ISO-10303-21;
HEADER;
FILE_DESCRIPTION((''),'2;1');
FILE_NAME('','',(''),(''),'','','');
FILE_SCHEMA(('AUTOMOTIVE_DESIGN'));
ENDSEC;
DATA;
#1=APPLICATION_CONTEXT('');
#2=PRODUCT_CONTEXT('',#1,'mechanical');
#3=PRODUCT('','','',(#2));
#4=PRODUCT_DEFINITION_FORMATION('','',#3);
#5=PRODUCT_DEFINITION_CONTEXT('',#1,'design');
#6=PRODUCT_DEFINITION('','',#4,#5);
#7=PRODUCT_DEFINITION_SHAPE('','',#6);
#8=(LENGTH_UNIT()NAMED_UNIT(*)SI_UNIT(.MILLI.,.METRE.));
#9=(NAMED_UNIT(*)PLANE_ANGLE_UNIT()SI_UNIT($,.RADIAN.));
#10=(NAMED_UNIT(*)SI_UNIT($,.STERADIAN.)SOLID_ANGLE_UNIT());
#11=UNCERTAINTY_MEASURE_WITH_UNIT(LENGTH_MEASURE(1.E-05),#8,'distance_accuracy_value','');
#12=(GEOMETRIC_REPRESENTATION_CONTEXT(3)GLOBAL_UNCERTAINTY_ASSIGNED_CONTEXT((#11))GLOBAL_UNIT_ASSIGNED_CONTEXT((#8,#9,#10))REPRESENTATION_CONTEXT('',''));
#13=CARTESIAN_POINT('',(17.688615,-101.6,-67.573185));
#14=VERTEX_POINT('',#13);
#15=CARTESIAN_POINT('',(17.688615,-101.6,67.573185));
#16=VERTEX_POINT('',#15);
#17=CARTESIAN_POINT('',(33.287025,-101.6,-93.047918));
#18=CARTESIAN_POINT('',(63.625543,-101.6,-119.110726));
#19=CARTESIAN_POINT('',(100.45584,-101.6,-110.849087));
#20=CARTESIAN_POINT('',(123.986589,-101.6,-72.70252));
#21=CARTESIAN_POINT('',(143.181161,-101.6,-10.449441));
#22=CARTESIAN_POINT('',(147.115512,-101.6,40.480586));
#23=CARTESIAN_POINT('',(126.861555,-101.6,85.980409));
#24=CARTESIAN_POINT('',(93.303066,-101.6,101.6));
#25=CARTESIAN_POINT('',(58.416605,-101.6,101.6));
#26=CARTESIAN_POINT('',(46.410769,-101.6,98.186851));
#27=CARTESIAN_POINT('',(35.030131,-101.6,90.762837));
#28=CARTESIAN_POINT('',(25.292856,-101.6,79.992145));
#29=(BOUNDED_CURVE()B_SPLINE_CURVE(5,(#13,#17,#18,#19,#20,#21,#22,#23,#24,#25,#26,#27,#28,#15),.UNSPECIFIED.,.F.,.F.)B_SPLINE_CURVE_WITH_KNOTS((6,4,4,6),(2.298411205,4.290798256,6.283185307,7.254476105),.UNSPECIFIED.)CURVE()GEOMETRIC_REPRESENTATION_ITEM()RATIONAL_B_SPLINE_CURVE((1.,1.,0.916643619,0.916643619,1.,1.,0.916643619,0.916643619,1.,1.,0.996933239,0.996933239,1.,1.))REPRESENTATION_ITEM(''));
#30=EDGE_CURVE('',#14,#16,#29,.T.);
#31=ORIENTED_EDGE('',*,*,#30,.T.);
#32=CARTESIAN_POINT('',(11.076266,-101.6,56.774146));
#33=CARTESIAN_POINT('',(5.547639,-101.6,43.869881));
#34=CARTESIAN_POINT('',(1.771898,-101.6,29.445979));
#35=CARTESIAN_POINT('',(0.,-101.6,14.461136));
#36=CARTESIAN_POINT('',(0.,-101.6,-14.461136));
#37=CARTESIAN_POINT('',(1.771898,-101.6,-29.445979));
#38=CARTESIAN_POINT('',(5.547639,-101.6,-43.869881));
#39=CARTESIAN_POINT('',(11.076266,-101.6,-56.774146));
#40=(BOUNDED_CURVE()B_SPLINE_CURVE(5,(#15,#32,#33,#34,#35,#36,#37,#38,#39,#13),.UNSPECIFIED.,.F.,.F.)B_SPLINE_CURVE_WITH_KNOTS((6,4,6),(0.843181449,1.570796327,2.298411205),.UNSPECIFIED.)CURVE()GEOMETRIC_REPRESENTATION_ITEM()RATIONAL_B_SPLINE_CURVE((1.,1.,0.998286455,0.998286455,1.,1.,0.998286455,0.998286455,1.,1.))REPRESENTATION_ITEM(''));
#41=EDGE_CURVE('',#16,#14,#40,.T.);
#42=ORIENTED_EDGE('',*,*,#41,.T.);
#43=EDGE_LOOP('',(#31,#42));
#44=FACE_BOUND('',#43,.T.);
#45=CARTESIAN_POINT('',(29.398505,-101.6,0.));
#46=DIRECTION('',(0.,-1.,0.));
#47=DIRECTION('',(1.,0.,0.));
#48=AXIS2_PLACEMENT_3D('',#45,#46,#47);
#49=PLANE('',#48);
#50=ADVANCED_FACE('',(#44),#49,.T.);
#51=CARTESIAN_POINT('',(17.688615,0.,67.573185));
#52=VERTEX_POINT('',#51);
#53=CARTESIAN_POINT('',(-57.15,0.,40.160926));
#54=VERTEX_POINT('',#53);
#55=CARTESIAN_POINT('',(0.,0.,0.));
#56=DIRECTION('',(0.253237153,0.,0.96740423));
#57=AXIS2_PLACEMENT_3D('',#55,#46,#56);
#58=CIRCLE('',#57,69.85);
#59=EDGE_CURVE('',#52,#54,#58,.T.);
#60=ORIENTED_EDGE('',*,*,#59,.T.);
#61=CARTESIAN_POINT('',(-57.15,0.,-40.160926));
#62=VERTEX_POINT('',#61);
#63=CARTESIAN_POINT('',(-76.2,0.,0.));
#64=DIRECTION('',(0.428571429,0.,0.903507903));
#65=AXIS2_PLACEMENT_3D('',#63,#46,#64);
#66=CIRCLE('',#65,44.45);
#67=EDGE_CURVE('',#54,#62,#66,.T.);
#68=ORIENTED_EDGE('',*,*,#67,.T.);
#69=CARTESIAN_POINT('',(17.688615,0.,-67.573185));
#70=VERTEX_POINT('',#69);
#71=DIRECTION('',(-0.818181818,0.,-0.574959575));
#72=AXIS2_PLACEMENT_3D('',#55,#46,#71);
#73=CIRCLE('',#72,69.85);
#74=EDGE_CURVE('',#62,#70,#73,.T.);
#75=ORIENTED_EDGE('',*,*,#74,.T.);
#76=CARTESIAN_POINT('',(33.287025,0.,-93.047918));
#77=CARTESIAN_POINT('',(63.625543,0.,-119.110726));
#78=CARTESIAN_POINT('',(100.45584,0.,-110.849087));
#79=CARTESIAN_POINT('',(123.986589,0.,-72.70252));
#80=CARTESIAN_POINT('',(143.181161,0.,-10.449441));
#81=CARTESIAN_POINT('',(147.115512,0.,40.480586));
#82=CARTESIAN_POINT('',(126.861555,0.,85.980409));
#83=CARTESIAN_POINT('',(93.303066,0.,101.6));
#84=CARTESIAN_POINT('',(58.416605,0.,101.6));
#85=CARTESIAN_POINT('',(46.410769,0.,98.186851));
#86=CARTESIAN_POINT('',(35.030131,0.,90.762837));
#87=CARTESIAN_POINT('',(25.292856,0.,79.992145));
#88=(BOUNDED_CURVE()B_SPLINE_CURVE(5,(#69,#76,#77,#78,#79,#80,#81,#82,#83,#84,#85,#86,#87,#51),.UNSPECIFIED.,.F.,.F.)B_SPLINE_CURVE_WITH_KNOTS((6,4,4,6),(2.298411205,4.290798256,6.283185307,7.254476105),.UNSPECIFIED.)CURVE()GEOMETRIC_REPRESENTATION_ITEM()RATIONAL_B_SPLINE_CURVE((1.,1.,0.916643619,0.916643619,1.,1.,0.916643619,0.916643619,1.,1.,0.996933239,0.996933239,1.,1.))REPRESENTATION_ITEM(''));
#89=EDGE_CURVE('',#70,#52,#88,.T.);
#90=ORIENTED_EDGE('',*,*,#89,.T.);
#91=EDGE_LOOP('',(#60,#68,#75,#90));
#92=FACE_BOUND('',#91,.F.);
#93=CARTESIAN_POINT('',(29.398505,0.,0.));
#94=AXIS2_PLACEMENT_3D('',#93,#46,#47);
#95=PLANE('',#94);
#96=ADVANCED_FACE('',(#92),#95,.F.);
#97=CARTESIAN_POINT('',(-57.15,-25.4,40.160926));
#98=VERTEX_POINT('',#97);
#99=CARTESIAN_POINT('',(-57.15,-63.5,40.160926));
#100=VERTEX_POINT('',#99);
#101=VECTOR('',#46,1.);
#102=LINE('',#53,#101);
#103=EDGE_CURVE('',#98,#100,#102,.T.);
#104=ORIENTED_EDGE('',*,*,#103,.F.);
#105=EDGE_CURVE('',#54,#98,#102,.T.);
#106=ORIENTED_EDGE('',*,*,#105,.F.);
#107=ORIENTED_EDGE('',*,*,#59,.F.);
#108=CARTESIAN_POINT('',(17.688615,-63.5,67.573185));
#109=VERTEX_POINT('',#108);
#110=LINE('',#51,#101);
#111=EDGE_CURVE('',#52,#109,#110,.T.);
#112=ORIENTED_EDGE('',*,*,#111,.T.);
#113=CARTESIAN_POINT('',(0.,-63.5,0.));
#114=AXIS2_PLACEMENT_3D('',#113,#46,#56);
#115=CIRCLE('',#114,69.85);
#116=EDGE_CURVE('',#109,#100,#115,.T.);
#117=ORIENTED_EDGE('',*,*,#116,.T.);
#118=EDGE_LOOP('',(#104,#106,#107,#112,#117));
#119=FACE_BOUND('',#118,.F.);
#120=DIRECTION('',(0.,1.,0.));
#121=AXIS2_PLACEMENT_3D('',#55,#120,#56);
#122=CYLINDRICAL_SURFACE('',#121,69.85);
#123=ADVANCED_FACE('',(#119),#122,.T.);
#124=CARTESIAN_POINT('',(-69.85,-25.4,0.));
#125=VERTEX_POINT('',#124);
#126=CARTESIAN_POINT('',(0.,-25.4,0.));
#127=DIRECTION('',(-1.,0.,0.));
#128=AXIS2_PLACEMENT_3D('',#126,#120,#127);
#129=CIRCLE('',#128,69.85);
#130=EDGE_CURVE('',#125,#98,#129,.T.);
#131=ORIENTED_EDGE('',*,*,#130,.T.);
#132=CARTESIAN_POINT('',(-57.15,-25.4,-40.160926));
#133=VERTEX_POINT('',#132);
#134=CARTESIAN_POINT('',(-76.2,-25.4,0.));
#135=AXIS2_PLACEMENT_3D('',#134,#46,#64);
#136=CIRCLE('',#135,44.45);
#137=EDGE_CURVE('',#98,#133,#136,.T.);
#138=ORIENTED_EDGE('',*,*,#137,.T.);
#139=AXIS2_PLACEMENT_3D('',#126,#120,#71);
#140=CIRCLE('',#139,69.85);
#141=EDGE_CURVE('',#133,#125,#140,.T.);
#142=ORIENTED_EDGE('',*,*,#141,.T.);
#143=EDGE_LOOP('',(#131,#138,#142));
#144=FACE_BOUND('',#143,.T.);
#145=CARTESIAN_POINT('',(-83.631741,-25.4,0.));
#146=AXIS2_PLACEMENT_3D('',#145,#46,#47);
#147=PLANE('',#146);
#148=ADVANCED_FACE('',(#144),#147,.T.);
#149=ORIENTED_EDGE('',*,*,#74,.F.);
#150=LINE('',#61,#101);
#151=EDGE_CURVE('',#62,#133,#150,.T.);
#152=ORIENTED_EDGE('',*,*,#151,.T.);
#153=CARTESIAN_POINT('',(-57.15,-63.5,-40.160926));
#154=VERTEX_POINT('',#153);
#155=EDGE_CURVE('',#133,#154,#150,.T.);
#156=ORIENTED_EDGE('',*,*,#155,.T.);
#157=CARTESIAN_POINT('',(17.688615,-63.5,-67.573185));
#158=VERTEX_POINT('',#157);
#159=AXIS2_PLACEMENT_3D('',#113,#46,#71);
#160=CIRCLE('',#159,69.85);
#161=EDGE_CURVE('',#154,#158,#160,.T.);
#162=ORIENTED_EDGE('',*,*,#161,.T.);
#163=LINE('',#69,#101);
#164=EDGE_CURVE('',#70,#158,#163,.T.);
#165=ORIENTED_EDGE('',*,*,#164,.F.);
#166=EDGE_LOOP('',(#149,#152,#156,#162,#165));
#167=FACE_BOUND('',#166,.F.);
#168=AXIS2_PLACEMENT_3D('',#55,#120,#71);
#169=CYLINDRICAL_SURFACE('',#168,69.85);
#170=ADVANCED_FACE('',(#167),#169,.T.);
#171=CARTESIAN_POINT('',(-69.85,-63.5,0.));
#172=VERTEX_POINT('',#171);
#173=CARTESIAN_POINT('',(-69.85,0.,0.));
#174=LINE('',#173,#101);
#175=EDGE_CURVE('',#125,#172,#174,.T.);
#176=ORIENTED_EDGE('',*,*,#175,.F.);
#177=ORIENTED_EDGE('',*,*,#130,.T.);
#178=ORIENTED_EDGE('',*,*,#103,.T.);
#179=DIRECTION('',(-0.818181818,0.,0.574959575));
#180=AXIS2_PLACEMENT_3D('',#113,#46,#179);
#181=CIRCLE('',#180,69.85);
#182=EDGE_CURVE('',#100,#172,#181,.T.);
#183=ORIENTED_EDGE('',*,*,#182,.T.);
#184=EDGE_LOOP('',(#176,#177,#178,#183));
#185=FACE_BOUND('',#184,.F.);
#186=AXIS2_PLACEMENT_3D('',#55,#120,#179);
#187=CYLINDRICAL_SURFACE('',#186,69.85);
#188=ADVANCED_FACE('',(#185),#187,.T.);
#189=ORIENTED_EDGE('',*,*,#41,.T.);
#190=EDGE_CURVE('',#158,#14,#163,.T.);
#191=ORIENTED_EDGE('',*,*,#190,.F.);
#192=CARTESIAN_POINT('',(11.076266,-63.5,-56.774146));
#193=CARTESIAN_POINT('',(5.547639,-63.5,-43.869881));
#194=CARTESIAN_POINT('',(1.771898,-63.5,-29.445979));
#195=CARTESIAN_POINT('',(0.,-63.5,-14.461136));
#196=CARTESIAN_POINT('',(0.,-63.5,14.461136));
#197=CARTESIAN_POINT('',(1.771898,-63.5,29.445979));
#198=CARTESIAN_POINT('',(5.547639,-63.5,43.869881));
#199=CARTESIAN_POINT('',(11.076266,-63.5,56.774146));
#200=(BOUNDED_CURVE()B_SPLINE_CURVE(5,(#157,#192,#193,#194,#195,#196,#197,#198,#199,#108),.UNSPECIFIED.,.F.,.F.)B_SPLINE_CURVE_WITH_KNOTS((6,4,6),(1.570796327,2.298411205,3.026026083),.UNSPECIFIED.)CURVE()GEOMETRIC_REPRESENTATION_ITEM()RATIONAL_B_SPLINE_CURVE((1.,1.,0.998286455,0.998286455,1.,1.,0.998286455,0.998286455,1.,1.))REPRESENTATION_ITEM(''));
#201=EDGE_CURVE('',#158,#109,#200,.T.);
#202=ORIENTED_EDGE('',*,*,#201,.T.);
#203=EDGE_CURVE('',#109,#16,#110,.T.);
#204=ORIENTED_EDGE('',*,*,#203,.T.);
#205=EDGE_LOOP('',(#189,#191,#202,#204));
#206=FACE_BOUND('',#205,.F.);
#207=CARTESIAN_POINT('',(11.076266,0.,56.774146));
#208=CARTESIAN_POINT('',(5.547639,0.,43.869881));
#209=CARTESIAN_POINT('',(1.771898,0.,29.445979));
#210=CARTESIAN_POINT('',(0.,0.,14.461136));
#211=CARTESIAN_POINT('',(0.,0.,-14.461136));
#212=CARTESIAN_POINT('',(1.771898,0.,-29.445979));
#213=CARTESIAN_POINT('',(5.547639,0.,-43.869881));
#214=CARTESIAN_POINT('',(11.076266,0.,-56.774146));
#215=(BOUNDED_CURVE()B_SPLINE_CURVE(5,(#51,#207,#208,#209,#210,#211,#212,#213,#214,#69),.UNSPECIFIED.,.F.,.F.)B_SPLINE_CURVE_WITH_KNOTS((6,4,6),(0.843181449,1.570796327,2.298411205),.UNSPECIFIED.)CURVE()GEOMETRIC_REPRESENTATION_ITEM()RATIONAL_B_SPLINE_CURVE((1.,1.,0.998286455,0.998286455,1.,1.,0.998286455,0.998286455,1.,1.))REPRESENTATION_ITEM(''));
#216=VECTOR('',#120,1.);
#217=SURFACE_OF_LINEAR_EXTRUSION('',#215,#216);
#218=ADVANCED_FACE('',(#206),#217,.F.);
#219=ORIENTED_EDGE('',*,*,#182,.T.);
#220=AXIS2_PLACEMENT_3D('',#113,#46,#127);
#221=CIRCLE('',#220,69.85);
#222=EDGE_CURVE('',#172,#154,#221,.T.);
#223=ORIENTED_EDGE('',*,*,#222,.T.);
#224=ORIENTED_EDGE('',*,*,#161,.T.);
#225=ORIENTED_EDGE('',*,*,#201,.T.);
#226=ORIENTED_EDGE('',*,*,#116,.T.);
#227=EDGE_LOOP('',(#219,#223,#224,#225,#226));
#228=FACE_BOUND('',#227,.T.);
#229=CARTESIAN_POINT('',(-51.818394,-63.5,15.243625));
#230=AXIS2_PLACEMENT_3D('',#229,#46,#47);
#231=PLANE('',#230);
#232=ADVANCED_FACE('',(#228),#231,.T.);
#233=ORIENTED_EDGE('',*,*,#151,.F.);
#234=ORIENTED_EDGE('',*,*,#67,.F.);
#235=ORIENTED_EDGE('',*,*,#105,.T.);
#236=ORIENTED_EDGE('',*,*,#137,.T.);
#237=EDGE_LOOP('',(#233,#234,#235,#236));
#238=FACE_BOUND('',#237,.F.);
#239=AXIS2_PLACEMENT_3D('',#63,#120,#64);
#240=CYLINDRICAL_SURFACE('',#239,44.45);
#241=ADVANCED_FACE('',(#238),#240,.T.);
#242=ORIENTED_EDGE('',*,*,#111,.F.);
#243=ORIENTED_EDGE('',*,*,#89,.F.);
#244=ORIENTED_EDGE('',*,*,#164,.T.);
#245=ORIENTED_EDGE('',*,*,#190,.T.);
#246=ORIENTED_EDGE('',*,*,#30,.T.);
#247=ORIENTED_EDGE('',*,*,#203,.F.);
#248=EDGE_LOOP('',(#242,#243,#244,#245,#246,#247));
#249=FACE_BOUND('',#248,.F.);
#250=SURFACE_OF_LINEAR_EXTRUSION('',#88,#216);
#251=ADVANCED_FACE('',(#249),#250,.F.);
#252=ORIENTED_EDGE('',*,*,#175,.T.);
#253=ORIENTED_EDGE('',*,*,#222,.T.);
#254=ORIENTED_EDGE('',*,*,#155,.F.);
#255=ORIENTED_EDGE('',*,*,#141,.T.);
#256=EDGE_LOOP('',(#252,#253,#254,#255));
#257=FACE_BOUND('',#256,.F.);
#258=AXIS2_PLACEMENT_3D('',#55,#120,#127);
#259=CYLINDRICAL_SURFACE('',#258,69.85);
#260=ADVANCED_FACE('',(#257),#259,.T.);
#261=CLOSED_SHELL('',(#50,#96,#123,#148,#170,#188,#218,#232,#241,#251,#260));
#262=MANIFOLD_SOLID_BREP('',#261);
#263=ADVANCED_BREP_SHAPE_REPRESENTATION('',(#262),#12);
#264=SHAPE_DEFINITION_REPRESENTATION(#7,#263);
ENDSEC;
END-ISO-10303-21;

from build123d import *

# Parameters (mm, degrees)
F1_DEPTH = 25.4
F2_DEPTH = 63.5
F3_DEPTH = 101.6


with BuildPart() as f1:
    # F0 (on Front) → F1 (new body)
    with BuildSketch(Plane.XZ):
        with BuildLine():
            ThreePointArc((-57.15, -40.1609262841), (-66.5993618588, -21.0605674188), (-69.85, 0))
            ThreePointArc((-69.85, 0), (-66.5993618588, 21.0605674188), (-57.15, 40.1609262841))
            ThreePointArc((-57.15, 40.1609262841), (-120.65, 0), (-57.15, -40.1609262841))
        make_face()
    extrude(amount=F1_DEPTH)

    # F0 (on Front) → F2 (join)
    with BuildSketch(Plane.XZ):
        with BuildLine():
            ThreePointArc((-57.15, 40.1609262841), (-66.5993618588, 21.0605674188), (-69.85, 0))
            Line((-69.85, 0), (-31.75, 0))
            ThreePointArc((-31.75, 0), (-38.6328933773, 23.759524406), (-57.15, 40.1609262841))
        make_face()
        with BuildLine():
            Line((-31.75, 0), (-69.85, 0))
            ThreePointArc((-69.85, 0), (-66.5993618588, -21.0605674188), (-57.15, -40.1609262841))
            ThreePointArc((-57.15, -40.1609262841), (-38.6328933773, -23.759524406), (-31.75, 0))
        make_face()
        with BuildLine():
            Line((0, 0), (-31.75, 0))
            ThreePointArc((-31.75, 0), (-38.6328933773, -23.759524406), (-57.15, -40.1609262841))
            ThreePointArc((-57.15, -40.1609262841), (-24.0241172905, -65.5885987685), (17.6886151651, -67.5731854624))
            add(Edge.make_bspline(
                [(0, 0), (0, -38.6848080688), (17.6886151651, -67.5731854624)],
                knots=[1.5707963268, 1.5707963268, 1.5707963268, 2.2984112049, 2.2984112049, 2.2984112049], degree=2, weights=[1, 0.9345487806, 1]))
        make_face()
        with BuildLine():
            ThreePointArc((-57.15, 40.1609262841), (-38.6328933773, 23.759524406), (-31.75, 0))
            Line((-31.75, 0), (0, 0))
            add(Edge.make_bspline(
                [(17.6886151651, 67.5731854624), (0, 38.6848080688), (0, 0)],
                knots=[0.8431814486, 0.8431814486, 0.8431814486, 1.5707963268, 1.5707963268, 1.5707963268], degree=2, weights=[1, 0.9345487806, 1]))
            ThreePointArc((17.6886151651, 67.5731854624), (-24.0241172905, 65.5885987685), (-57.15, 40.1609262841))
        make_face()
    extrude(amount=F2_DEPTH)

    # F0 (on Front) → F3 (join)
    with BuildSketch(Plane.XZ):
        with BuildLine():
            add(Edge.make_bspline(
                [(17.6886151651, 67.5731854624), (0, 38.6848080688), (0, 0)],
                knots=[0.8431814486, 0.8431814486, 0.8431814486, 1.5707963268, 1.5707963268, 1.5707963268], degree=2, weights=[1, 0.9345487806, 1]))
            add(Edge.make_bspline(
                [(0, 0), (0, -38.6848080688), (17.6886151651, -67.5731854624)],
                knots=[1.5707963268, 1.5707963268, 1.5707963268, 2.2984112049, 2.2984112049, 2.2984112049], degree=2, weights=[1, 0.9345487806, 1]))
            ThreePointArc((17.6886151651, -67.5731854624), (55.2927313002, -42.6818036798), (69.85, 0))
            ThreePointArc((69.85, 0), (55.2927313002, 42.6818036798), (17.6886151651, 67.5731854624))
        make_face()
        with BuildLine():
            add(Edge.make_bspline(
                [(69.85, 101.6), (38.5235419402, 101.6), (17.6886151651, 67.5731854624)],
                knots=[0, 0, 0, 0.8431814486, 0.8431814486, 0.8431814486], degree=2, weights=[1, 0.9124391509, 1]))
            ThreePointArc((17.6886151651, 67.5731854624), (55.2927313002, 42.6818036798), (69.85, 0))
            Line((69.85, 0), (69.85, 101.6))
        make_face()
        with BuildLine():
            ThreePointArc((69.85, 0), (55.2927313002, -42.6818036798), (17.6886151651, -67.5731854624))
            add(Edge.make_bspline(
                [(17.6886151651, -67.5731854624), (89.4382412502, -184.7519615766), (133.5838746885, -41.5759807883), (177.7295081268, 101.6), (69.85, 101.6)],
                knots=[2.2984112049, 2.2984112049, 2.2984112049, 4.2907982561, 4.2907982561, 6.2831853072, 6.2831853072, 6.2831853072], degree=2, weights=[1, 0.5435014216, 1, 0.5435014216, 1]))
            Line((69.85, 101.6), (69.85, 0))
        make_face()
    extrude(amount=F3_DEPTH)


solid = f1.part
